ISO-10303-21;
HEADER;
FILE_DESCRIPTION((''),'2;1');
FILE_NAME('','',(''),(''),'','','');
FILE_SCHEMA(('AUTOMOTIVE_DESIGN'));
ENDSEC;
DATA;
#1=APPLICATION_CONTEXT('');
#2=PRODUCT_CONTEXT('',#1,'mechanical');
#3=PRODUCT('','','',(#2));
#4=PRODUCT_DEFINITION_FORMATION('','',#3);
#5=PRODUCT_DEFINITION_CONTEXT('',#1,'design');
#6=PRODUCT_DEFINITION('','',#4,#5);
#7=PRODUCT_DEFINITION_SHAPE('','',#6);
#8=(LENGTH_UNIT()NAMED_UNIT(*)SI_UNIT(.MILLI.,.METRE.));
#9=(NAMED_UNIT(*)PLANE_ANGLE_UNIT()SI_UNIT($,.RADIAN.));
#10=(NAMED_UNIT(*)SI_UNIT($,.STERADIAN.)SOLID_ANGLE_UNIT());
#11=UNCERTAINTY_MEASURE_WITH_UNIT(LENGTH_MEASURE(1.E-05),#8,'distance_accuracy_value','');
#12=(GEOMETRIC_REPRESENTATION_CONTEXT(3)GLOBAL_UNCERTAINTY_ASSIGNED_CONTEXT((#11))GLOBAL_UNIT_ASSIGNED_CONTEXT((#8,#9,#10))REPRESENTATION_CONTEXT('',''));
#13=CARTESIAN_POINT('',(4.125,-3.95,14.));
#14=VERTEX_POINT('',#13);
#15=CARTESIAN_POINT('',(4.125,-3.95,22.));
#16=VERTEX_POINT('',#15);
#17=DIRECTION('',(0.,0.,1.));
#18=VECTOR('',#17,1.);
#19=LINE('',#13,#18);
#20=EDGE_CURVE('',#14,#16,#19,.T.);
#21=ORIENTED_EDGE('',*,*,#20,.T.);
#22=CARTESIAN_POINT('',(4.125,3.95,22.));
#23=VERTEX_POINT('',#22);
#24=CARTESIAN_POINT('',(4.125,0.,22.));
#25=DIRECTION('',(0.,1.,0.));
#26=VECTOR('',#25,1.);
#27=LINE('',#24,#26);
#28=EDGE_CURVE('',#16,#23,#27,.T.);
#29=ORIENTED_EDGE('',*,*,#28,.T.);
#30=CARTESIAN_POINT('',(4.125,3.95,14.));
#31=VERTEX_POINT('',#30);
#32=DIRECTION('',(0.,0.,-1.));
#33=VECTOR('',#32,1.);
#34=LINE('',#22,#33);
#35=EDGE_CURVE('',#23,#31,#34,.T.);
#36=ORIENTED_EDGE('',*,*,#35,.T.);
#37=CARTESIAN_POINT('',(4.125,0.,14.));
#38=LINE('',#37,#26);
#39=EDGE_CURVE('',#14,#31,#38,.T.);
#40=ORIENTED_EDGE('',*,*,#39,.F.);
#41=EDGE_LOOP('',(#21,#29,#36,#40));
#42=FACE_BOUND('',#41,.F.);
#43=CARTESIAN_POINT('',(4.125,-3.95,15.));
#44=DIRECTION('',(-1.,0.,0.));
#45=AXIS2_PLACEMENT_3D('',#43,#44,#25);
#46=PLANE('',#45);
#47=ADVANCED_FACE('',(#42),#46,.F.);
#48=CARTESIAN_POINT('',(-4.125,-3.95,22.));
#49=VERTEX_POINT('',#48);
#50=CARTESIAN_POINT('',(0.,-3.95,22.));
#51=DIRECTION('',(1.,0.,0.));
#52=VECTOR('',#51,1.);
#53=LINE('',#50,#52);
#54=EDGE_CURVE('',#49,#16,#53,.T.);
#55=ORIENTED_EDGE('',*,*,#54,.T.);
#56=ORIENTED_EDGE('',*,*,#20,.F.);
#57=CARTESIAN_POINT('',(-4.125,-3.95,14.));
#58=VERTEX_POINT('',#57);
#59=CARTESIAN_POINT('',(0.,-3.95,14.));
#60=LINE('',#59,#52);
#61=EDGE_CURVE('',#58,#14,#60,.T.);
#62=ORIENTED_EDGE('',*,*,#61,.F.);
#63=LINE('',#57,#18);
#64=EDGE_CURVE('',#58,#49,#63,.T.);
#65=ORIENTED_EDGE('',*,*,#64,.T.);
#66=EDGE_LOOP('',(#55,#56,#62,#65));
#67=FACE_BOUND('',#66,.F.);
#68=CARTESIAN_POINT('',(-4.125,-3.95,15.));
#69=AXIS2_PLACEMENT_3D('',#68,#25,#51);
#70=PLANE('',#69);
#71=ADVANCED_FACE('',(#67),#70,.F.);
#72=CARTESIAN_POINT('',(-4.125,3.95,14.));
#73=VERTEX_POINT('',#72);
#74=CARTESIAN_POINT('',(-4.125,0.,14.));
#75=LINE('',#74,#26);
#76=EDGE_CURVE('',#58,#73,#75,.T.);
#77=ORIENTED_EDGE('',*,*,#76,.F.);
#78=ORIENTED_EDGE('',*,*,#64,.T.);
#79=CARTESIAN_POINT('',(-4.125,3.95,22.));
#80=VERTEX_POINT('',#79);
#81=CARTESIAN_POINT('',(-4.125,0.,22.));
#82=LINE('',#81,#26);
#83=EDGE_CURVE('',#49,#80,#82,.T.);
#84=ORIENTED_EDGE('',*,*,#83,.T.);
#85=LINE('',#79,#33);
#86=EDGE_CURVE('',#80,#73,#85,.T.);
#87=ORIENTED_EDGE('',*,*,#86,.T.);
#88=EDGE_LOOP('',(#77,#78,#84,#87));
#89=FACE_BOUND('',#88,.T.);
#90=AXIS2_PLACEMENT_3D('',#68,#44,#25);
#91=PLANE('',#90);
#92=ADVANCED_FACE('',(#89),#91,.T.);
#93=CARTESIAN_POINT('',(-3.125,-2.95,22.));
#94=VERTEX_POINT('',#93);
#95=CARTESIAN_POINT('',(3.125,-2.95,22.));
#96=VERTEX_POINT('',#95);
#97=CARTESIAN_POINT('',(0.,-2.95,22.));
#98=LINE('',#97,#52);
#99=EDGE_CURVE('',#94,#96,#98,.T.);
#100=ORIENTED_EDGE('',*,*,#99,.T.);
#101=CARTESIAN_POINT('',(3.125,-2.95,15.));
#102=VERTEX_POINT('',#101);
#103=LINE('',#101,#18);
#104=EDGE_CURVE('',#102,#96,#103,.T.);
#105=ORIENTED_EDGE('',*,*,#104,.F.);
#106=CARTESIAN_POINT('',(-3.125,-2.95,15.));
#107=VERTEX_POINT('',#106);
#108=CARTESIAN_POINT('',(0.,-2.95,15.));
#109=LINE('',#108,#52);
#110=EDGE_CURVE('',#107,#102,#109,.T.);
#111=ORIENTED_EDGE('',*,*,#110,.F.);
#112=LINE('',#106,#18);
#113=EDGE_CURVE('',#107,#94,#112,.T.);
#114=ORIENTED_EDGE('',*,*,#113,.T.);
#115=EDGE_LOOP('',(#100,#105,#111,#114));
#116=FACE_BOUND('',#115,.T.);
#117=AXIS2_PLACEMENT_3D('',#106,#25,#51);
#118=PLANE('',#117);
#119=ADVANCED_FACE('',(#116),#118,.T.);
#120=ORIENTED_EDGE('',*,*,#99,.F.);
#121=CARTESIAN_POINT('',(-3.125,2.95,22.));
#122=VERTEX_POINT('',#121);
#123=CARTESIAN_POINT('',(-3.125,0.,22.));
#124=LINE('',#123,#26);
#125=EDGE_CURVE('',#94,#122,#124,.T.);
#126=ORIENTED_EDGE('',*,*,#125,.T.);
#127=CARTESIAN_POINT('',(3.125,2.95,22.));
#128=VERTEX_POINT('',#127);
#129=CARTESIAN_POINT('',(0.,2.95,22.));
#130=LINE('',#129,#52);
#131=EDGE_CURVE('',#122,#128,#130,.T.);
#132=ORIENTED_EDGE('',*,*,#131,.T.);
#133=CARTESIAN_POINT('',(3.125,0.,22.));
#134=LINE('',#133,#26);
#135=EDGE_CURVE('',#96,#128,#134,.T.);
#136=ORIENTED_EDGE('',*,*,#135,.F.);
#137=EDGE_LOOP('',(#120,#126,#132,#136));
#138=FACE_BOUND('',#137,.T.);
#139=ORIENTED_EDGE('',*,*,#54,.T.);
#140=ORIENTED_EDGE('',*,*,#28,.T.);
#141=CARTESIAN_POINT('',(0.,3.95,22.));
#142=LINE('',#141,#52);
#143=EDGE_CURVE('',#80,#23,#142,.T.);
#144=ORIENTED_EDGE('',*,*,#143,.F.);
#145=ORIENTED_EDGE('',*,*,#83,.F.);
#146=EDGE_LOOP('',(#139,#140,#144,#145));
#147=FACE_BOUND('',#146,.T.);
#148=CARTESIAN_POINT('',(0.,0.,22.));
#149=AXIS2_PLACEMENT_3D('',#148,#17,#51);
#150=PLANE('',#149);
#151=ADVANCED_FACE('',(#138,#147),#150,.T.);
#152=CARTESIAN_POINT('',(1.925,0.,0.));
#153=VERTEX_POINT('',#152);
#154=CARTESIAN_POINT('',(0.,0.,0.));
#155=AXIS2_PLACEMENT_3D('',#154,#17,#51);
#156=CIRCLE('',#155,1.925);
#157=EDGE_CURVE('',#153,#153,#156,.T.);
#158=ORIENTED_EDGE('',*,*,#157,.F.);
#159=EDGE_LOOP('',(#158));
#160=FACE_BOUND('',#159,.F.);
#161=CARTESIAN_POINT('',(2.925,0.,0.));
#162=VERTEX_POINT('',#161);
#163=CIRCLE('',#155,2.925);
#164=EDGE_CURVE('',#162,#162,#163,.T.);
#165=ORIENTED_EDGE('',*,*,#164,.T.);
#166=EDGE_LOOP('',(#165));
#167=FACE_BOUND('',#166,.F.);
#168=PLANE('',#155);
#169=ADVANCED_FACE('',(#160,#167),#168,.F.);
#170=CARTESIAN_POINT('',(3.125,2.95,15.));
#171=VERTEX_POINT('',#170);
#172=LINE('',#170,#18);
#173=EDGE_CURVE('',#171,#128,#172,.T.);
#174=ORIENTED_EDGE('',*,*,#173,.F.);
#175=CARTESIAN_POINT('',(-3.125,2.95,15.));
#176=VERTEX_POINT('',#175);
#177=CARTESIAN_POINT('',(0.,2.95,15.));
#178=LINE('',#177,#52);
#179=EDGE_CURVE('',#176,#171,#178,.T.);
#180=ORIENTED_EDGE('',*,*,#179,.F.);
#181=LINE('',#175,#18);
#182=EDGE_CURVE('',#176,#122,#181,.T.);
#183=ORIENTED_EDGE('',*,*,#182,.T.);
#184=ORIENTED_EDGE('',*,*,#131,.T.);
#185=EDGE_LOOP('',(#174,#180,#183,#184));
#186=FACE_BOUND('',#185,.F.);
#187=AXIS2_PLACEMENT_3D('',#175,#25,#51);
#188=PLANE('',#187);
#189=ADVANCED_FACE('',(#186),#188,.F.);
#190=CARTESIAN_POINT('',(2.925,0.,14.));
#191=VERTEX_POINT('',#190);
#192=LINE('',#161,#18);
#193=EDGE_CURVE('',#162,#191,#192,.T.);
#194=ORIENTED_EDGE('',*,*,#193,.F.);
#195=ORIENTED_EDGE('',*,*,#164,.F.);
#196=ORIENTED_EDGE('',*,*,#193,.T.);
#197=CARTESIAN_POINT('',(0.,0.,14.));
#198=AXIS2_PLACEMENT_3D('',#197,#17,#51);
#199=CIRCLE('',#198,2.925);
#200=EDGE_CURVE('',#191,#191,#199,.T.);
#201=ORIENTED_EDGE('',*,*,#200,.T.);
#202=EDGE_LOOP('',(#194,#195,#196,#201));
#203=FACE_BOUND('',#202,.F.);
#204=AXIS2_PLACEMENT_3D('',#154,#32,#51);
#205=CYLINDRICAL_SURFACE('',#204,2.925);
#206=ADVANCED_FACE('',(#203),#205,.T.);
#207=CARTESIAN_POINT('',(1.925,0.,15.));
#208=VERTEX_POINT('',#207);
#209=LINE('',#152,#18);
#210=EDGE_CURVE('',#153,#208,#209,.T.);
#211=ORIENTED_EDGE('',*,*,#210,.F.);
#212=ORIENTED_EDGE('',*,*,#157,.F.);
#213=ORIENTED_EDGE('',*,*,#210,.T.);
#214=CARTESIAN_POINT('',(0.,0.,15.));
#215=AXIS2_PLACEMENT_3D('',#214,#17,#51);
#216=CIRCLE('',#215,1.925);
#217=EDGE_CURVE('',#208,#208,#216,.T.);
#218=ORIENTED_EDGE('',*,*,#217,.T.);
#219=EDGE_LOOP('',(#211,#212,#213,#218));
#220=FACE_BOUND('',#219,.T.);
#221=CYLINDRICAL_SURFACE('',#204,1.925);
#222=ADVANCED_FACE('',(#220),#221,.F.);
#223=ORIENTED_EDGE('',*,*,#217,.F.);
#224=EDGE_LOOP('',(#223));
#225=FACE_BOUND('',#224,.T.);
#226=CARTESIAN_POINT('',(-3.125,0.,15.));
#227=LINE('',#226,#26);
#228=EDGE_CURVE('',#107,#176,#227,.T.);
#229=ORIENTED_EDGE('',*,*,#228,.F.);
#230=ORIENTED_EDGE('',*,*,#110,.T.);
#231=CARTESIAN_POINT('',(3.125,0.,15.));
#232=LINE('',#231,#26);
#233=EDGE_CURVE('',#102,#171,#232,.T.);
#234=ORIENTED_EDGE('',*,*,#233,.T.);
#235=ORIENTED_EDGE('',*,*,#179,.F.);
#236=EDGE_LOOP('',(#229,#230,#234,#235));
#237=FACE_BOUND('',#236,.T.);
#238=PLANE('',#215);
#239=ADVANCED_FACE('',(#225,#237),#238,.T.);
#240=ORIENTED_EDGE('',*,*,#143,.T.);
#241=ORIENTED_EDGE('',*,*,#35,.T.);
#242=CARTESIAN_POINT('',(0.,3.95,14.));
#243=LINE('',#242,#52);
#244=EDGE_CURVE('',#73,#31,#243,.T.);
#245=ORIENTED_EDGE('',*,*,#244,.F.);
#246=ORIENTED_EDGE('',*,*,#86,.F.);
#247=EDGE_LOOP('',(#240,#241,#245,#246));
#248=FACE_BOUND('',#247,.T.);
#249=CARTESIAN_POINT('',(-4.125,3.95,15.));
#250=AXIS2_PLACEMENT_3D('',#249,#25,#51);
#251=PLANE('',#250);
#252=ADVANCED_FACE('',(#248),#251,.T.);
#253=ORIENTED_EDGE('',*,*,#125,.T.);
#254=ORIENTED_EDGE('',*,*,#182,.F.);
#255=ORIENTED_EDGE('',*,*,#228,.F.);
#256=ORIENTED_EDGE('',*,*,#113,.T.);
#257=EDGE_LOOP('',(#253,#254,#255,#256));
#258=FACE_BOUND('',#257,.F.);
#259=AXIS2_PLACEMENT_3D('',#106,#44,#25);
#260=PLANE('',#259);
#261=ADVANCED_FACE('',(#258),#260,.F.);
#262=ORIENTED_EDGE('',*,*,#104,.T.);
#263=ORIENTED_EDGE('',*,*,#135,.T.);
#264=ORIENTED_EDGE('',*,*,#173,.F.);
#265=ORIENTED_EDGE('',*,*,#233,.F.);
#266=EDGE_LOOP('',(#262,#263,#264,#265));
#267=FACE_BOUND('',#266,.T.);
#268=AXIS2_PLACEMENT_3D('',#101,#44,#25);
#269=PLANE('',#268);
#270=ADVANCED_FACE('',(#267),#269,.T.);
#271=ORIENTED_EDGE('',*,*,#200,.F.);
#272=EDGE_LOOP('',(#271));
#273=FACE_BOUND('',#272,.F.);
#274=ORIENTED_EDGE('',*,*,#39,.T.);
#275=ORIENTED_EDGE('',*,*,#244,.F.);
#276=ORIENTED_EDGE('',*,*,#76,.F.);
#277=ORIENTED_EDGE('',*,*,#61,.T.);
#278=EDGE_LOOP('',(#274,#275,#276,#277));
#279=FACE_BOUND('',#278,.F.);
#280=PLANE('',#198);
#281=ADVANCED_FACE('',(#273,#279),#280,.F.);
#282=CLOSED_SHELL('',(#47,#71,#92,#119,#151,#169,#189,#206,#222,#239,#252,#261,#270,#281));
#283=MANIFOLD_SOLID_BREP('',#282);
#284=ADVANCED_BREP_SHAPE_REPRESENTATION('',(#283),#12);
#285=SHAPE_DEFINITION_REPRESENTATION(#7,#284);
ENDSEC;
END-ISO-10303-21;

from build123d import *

# Parameters (mm, degrees)
F0_R     = 2.925
F0_R_2   = 1.925
F1_DEPTH = 15
F3_W     = 8.25
F3_H     = 7.9
F3_W_2   = 6.25
F3_H_2   = 5.9
F3_R     = 2.925
F4_DEPTH = 1
F5_DEPTH = 7


with BuildPart() as f1:
    # F0 (on Top) → F1 (new body)
    with BuildSketch(Plane.XY):
        Circle(F0_R)
        Circle(F0_R_2, mode=Mode.SUBTRACT)
    extrude(amount=F1_DEPTH)

    # F3 (on face) → F4 (join)
    with BuildSketch(Plane.XY.offset(15)):
        Rectangle(F3_W, F3_H)
        Rectangle(F3_W_2, F3_H_2, mode=Mode.SUBTRACT)
        Rectangle(F3_W_2, F3_H_2)
        Circle(F3_R, mode=Mode.SUBTRACT)
    extrude(amount=-F4_DEPTH)

    # F3 (on face) → F5 (join)
    with BuildSketch(Plane.XY.offset(15)):
        Rectangle(F3_W, F3_H)
        Rectangle(F3_W_2, F3_H_2, mode=Mode.SUBTRACT)
    extrude(amount=F5_DEPTH)


solid = f1.part
